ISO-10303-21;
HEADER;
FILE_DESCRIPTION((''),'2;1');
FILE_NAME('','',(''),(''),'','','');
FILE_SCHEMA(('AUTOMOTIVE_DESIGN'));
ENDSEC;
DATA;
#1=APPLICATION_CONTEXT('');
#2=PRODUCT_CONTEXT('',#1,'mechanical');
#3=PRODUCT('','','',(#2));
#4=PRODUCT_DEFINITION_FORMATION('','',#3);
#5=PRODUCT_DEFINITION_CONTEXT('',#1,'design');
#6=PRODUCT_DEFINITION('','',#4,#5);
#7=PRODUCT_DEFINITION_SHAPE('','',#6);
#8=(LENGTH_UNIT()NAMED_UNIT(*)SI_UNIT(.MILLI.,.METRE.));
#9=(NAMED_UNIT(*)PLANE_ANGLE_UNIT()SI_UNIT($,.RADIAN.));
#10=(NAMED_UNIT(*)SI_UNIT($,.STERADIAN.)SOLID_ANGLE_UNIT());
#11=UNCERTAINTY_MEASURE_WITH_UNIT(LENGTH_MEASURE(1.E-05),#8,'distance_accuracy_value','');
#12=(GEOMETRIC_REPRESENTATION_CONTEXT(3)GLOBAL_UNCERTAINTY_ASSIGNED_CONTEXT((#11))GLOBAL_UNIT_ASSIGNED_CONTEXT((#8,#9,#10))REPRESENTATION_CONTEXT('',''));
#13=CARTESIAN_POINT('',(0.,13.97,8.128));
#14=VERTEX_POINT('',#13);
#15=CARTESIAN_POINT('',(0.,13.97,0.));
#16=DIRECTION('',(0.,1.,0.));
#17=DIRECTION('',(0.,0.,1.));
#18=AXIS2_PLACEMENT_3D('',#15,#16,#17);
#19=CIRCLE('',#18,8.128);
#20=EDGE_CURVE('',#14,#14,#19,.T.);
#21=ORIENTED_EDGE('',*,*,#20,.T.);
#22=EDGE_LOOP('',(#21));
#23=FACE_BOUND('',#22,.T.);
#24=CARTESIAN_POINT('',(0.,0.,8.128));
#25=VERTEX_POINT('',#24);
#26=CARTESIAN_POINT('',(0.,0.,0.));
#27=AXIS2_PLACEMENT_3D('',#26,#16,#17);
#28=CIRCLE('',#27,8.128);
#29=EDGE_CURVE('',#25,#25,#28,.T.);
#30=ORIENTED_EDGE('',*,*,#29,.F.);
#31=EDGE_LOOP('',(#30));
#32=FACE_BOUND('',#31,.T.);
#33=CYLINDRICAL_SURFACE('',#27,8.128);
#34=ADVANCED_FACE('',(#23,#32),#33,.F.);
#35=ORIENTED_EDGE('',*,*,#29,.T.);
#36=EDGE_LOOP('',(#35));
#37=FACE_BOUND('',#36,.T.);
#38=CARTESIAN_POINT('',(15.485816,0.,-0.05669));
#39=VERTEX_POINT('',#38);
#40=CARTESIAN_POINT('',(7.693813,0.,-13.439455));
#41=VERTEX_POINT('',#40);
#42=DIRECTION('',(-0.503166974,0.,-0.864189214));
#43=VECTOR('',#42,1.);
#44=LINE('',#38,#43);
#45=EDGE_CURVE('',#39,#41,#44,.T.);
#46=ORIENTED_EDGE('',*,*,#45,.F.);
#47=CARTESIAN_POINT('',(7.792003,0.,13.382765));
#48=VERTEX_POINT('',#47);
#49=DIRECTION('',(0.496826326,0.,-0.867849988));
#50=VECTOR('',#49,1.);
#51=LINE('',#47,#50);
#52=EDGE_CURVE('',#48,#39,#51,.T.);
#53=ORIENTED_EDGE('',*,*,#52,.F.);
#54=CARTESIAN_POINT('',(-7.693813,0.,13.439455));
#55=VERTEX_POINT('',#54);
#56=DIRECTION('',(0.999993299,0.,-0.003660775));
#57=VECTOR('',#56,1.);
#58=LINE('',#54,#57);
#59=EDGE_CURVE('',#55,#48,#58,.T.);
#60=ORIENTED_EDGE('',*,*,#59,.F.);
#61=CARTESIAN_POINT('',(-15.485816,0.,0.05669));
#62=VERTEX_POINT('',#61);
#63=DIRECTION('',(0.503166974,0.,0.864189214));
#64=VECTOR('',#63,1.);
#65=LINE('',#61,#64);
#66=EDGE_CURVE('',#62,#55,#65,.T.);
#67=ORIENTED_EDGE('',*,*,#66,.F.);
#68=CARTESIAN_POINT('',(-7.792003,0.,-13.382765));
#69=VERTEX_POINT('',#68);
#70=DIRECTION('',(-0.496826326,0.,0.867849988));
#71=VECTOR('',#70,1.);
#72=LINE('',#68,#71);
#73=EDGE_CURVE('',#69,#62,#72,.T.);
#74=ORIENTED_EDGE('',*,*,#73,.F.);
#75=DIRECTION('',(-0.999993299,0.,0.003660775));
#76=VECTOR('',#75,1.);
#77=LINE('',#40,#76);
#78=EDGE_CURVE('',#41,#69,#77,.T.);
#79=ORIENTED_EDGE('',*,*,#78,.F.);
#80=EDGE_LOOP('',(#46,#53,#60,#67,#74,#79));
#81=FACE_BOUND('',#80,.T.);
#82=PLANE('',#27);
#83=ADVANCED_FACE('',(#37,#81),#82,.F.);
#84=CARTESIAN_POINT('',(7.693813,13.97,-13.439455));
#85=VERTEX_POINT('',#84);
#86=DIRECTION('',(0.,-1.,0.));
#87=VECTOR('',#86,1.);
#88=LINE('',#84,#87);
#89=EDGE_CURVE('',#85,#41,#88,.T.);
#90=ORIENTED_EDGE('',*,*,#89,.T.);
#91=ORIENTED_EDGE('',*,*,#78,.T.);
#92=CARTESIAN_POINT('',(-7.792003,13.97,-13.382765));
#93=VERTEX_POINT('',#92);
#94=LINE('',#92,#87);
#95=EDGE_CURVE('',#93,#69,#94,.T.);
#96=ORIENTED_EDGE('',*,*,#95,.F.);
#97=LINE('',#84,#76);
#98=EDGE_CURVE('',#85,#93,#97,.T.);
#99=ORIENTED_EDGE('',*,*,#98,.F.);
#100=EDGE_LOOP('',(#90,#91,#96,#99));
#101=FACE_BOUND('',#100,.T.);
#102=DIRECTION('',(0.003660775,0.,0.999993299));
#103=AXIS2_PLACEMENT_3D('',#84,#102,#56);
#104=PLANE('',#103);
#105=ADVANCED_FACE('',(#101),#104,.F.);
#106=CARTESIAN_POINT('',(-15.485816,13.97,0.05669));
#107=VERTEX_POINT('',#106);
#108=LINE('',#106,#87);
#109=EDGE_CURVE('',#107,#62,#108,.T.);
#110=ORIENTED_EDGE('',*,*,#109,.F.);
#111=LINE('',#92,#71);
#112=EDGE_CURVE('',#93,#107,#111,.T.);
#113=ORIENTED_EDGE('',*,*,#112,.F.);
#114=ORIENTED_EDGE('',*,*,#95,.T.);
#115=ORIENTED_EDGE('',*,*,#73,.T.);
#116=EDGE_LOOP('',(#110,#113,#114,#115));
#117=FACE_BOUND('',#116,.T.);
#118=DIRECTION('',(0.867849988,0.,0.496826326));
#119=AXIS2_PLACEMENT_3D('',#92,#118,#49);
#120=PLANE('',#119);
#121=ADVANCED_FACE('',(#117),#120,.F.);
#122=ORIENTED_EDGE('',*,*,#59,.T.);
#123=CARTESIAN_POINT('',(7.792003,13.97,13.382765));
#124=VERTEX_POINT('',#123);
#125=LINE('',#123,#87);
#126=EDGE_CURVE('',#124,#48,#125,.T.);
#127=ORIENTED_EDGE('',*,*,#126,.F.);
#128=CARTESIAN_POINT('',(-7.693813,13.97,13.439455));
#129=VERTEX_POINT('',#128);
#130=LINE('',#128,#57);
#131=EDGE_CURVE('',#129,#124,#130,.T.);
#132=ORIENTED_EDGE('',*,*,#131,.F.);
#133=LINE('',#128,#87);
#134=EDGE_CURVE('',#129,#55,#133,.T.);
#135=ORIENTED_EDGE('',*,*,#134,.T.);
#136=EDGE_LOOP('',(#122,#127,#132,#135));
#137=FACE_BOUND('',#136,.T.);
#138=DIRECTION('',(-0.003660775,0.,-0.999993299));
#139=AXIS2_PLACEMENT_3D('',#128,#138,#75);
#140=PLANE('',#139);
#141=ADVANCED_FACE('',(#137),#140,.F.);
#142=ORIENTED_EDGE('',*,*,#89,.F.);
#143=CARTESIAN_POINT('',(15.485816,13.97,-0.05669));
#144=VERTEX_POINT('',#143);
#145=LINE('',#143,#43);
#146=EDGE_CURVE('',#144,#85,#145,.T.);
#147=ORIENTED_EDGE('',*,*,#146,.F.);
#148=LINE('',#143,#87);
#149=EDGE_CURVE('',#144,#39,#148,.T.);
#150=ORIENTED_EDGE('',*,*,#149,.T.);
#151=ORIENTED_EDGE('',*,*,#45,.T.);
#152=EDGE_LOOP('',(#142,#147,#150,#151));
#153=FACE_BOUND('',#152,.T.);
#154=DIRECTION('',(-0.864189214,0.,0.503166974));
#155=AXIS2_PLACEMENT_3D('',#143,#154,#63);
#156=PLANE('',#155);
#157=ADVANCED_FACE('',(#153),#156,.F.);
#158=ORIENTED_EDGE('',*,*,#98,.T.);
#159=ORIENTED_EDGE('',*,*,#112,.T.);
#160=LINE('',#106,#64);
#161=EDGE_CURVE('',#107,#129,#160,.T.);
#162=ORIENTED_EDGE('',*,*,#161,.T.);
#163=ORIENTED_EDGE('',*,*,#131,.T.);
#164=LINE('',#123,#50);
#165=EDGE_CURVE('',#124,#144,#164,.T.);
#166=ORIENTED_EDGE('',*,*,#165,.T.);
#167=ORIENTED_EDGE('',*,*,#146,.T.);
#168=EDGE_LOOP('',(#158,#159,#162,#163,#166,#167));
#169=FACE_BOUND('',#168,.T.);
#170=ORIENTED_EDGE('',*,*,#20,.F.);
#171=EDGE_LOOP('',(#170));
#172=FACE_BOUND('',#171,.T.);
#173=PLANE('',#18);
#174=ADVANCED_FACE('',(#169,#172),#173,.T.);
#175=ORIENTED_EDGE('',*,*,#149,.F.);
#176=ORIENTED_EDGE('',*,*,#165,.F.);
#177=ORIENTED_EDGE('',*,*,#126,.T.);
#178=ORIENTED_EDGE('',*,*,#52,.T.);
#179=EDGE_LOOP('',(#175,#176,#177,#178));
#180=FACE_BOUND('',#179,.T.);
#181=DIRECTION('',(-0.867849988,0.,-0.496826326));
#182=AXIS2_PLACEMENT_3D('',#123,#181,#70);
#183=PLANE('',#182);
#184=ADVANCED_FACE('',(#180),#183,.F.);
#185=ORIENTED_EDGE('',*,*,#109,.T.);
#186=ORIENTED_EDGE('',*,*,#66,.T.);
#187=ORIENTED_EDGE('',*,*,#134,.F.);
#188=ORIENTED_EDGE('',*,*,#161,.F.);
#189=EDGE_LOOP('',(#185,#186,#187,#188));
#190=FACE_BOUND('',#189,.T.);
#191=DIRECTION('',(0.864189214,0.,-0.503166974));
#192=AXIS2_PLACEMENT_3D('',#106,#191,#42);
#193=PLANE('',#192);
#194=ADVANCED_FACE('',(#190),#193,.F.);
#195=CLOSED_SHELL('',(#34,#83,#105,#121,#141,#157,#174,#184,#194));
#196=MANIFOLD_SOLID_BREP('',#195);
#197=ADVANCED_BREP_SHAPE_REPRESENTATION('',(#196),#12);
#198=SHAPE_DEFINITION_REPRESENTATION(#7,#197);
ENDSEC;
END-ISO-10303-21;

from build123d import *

# Parameters (mm, degrees)
BOSS_EXTRUDE1_DEPTH = 13.97
SKETCH2_R           = 8.128
CUT_EXTRUDE1_DEPTH  = 14.97


with BuildPart() as part:
    # Sketch1 → Boss-Extrude1 (new body)
    with BuildSketch(Plane(origin=(0, 0, 0), x_dir=(1, 0, 0), z_dir=(0, 1, 0))):
        Polygon((7.693812666, 13.439455367), (-7.792003428, 13.382764905), (-15.485816094, -0.056690463), (-7.693812666, -13.439455367), (7.792003428, -13.382764905), (15.485816094, 0.056690463), align=None)
    extrude(amount=BOSS_EXTRUDE1_DEPTH)

    # Sketch2 → Cut-Extrude1 (cut, through all)
    with BuildSketch(Plane(origin=(0, 13.97, 0), x_dir=(1, 0, 0), z_dir=(0, 1, 0))):
        Circle(SKETCH2_R)
    extrude(amount=-CUT_EXTRUDE1_DEPTH, mode=Mode.SUBTRACT)


solid = part.part
